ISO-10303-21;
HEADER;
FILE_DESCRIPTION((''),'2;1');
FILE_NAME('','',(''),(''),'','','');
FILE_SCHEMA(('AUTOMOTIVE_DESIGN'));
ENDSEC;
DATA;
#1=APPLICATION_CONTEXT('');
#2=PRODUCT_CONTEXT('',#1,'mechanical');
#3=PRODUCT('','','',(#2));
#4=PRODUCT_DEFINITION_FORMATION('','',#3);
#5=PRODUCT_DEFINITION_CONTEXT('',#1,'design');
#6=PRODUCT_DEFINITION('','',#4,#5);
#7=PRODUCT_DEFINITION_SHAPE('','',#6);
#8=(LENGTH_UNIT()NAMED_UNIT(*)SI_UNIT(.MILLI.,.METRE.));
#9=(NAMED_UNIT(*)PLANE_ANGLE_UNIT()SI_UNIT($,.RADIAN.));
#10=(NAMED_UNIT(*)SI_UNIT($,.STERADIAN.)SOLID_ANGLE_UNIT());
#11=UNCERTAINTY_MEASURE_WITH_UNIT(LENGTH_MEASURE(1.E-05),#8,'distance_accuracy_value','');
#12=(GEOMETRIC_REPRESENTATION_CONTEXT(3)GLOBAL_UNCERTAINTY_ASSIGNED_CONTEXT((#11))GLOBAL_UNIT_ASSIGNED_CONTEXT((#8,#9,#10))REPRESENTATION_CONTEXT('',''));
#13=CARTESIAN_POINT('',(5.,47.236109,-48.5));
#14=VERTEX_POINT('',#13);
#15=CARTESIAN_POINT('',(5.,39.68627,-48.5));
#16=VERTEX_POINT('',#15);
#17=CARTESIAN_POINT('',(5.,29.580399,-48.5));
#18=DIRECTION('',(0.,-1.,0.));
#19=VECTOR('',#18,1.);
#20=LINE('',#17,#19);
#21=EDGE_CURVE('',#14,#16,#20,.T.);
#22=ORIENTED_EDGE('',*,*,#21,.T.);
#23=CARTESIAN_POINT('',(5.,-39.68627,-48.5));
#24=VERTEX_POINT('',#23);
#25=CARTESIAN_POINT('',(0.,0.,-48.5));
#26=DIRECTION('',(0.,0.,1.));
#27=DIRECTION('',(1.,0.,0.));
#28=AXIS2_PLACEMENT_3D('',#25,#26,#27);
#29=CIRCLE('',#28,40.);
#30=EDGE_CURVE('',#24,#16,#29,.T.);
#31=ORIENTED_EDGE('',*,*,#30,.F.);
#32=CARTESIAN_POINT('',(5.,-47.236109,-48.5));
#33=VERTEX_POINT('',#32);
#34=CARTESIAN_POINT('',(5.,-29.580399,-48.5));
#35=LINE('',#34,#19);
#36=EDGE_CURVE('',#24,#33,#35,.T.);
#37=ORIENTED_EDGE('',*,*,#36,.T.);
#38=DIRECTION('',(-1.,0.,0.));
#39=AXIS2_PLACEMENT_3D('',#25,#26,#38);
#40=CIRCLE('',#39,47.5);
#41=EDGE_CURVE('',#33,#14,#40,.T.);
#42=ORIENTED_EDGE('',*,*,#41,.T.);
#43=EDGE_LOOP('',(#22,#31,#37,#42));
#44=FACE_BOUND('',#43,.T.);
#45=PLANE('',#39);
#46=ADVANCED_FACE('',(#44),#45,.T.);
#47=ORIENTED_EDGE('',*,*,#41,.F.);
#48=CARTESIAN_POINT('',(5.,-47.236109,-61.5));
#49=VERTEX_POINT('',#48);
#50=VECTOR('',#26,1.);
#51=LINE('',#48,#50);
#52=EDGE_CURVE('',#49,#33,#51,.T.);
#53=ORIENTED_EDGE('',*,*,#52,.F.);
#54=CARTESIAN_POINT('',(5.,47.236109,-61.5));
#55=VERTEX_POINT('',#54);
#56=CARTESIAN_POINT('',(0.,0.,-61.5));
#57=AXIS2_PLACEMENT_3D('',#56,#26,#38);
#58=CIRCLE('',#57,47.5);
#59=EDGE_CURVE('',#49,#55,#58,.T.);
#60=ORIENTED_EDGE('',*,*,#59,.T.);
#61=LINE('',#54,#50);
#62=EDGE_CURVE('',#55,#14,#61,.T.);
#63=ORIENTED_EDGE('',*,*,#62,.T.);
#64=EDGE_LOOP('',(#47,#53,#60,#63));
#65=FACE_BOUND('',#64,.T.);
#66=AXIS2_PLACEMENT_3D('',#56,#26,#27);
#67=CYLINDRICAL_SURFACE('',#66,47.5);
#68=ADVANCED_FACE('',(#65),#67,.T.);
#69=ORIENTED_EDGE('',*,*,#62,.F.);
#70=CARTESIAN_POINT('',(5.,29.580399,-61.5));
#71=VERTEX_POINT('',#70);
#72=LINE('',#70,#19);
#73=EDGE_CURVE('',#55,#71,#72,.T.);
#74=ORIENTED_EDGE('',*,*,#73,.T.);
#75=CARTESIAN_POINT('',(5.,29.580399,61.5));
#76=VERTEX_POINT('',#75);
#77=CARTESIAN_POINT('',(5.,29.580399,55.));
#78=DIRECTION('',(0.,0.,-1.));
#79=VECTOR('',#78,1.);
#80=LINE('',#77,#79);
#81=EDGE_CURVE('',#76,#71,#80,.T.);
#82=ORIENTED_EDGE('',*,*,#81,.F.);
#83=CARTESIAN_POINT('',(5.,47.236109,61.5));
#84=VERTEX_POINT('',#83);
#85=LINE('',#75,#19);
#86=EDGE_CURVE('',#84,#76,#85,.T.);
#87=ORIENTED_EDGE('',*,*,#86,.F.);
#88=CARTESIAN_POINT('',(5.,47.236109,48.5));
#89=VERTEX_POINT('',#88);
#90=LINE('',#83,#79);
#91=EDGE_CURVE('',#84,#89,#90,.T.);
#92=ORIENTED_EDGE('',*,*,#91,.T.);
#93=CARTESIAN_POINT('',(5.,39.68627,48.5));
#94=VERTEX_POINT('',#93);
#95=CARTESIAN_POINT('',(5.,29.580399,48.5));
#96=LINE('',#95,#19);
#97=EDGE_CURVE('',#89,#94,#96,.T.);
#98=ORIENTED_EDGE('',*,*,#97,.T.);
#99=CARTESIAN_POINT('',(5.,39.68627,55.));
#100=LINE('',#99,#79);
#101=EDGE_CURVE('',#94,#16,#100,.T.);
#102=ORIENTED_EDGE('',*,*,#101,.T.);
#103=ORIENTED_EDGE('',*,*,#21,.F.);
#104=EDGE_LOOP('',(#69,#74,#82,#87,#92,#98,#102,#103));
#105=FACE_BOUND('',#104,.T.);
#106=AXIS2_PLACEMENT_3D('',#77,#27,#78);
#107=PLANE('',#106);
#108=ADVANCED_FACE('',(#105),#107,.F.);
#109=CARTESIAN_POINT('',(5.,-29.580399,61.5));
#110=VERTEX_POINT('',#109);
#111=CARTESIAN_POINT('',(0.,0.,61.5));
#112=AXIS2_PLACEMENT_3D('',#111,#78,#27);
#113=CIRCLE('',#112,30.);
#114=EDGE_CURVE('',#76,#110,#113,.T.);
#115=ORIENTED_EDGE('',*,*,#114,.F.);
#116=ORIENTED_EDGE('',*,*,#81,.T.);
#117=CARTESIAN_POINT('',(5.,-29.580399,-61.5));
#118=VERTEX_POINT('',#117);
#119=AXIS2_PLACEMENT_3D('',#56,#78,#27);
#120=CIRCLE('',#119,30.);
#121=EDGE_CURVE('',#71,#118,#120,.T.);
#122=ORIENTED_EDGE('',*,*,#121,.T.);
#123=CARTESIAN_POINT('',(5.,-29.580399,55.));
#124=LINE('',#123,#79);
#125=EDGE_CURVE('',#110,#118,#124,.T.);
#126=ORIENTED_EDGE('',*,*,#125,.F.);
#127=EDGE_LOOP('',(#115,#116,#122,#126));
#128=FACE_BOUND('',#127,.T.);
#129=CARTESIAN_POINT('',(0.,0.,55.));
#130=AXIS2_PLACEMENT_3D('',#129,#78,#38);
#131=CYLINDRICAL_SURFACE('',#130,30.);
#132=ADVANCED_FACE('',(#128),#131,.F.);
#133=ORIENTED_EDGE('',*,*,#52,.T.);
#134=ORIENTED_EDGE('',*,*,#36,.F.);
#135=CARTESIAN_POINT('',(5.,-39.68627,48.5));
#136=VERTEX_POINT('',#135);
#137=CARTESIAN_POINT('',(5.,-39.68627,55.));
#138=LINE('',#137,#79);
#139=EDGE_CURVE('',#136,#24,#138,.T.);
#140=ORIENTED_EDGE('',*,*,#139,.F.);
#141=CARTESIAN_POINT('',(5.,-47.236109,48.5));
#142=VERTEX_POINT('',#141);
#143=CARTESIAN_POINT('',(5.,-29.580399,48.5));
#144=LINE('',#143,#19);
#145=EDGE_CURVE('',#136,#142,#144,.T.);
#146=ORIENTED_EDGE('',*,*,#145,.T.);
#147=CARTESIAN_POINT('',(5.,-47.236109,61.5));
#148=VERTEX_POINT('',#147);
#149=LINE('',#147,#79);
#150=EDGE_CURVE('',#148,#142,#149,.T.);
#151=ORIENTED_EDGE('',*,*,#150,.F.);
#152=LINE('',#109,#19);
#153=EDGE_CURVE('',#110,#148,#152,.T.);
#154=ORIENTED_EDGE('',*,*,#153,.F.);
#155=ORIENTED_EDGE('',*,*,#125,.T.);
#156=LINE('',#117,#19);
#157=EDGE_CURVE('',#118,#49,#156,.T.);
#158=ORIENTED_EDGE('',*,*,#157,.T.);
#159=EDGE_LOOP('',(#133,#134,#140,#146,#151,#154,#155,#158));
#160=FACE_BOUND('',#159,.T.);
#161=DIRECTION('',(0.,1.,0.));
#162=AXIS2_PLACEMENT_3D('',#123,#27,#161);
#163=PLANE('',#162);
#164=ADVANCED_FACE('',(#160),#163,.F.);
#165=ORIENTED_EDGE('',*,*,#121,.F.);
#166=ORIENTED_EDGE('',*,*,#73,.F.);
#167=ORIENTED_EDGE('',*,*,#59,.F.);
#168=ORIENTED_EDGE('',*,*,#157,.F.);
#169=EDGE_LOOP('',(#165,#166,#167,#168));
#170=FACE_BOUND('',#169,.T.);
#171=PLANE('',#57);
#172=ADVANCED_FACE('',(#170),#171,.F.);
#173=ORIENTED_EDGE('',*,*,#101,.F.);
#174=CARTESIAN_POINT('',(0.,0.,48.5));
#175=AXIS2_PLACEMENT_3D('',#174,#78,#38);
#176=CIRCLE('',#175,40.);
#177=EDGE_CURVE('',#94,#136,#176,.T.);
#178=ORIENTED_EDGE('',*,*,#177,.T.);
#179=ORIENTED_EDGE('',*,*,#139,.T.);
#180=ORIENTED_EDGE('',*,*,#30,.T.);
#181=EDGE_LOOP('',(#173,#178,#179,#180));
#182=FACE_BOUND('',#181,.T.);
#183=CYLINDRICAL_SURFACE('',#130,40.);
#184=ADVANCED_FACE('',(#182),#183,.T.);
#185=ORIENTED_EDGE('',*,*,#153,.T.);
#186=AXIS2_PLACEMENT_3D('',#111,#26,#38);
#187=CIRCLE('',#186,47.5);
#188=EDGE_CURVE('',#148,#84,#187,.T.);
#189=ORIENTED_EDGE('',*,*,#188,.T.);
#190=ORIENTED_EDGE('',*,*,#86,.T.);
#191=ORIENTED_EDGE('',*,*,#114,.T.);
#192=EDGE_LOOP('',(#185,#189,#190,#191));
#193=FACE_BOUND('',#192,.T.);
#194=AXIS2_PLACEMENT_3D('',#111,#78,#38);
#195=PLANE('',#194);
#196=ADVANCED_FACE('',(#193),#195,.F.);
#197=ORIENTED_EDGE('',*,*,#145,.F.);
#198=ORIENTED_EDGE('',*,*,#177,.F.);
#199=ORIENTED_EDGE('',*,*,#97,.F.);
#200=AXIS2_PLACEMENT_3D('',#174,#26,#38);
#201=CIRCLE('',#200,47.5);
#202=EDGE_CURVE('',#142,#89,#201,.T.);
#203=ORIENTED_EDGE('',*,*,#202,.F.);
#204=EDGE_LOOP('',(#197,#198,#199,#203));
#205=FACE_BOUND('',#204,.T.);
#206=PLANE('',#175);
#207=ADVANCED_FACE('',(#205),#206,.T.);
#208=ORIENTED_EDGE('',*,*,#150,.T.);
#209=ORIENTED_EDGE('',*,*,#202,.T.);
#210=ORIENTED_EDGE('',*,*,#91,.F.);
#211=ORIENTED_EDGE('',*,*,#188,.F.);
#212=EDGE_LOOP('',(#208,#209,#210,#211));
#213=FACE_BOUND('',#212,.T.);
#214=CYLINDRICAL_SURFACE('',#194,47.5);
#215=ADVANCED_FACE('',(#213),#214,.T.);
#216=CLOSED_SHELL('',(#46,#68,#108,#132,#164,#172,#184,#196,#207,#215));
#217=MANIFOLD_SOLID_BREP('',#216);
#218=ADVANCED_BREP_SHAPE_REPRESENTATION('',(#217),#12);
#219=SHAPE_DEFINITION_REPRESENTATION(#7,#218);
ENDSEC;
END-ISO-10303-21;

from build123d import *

# Parameters (mm, degrees)
BOSS_EXTRUDE1_DEPTH = 55
BOSS_EXTRUDE2_DEPTH = 6.5


with BuildPart() as part:
    # Sketch1 → Boss-Extrude1 (new, symmetric)
    with BuildSketch(Plane.XY):
        with BuildLine():
            Line((5, 29.580398915), (5, 39.686269666))
            ThreePointArc((5, 39.686269666), (40, 0), (5, -39.686269666))
            Line((5, -39.686269666), (5, -29.580398915))
            ThreePointArc((5, -29.580398915), (30, 0), (5, 29.580398915))
        make_face()
    extrude(amount=BOSS_EXTRUDE1_DEPTH, both=True)

    # Sketch2 → Boss-Extrude2 (add, symmetric)
    with BuildSketch(Plane.XY.offset(55)):
        with BuildLine():
            Line((5, 29.580398915), (5, 47.236109069))
            ThreePointArc((5, 47.236109069), (47.5, 0), (5, -47.236109069))
            Line((5, -47.236109069), (5, -29.580398915))
            ThreePointArc((5, -29.580398915), (30, 0), (5, 29.580398915))
        make_face()
    boss_extrude2 = extrude(amount=BOSS_EXTRUDE2_DEPTH, both=True)

    # Mirror2: Boss-Extrude2 across plane
    add(boss_extrude2.mirror(Plane.XY))


solid = part.part
